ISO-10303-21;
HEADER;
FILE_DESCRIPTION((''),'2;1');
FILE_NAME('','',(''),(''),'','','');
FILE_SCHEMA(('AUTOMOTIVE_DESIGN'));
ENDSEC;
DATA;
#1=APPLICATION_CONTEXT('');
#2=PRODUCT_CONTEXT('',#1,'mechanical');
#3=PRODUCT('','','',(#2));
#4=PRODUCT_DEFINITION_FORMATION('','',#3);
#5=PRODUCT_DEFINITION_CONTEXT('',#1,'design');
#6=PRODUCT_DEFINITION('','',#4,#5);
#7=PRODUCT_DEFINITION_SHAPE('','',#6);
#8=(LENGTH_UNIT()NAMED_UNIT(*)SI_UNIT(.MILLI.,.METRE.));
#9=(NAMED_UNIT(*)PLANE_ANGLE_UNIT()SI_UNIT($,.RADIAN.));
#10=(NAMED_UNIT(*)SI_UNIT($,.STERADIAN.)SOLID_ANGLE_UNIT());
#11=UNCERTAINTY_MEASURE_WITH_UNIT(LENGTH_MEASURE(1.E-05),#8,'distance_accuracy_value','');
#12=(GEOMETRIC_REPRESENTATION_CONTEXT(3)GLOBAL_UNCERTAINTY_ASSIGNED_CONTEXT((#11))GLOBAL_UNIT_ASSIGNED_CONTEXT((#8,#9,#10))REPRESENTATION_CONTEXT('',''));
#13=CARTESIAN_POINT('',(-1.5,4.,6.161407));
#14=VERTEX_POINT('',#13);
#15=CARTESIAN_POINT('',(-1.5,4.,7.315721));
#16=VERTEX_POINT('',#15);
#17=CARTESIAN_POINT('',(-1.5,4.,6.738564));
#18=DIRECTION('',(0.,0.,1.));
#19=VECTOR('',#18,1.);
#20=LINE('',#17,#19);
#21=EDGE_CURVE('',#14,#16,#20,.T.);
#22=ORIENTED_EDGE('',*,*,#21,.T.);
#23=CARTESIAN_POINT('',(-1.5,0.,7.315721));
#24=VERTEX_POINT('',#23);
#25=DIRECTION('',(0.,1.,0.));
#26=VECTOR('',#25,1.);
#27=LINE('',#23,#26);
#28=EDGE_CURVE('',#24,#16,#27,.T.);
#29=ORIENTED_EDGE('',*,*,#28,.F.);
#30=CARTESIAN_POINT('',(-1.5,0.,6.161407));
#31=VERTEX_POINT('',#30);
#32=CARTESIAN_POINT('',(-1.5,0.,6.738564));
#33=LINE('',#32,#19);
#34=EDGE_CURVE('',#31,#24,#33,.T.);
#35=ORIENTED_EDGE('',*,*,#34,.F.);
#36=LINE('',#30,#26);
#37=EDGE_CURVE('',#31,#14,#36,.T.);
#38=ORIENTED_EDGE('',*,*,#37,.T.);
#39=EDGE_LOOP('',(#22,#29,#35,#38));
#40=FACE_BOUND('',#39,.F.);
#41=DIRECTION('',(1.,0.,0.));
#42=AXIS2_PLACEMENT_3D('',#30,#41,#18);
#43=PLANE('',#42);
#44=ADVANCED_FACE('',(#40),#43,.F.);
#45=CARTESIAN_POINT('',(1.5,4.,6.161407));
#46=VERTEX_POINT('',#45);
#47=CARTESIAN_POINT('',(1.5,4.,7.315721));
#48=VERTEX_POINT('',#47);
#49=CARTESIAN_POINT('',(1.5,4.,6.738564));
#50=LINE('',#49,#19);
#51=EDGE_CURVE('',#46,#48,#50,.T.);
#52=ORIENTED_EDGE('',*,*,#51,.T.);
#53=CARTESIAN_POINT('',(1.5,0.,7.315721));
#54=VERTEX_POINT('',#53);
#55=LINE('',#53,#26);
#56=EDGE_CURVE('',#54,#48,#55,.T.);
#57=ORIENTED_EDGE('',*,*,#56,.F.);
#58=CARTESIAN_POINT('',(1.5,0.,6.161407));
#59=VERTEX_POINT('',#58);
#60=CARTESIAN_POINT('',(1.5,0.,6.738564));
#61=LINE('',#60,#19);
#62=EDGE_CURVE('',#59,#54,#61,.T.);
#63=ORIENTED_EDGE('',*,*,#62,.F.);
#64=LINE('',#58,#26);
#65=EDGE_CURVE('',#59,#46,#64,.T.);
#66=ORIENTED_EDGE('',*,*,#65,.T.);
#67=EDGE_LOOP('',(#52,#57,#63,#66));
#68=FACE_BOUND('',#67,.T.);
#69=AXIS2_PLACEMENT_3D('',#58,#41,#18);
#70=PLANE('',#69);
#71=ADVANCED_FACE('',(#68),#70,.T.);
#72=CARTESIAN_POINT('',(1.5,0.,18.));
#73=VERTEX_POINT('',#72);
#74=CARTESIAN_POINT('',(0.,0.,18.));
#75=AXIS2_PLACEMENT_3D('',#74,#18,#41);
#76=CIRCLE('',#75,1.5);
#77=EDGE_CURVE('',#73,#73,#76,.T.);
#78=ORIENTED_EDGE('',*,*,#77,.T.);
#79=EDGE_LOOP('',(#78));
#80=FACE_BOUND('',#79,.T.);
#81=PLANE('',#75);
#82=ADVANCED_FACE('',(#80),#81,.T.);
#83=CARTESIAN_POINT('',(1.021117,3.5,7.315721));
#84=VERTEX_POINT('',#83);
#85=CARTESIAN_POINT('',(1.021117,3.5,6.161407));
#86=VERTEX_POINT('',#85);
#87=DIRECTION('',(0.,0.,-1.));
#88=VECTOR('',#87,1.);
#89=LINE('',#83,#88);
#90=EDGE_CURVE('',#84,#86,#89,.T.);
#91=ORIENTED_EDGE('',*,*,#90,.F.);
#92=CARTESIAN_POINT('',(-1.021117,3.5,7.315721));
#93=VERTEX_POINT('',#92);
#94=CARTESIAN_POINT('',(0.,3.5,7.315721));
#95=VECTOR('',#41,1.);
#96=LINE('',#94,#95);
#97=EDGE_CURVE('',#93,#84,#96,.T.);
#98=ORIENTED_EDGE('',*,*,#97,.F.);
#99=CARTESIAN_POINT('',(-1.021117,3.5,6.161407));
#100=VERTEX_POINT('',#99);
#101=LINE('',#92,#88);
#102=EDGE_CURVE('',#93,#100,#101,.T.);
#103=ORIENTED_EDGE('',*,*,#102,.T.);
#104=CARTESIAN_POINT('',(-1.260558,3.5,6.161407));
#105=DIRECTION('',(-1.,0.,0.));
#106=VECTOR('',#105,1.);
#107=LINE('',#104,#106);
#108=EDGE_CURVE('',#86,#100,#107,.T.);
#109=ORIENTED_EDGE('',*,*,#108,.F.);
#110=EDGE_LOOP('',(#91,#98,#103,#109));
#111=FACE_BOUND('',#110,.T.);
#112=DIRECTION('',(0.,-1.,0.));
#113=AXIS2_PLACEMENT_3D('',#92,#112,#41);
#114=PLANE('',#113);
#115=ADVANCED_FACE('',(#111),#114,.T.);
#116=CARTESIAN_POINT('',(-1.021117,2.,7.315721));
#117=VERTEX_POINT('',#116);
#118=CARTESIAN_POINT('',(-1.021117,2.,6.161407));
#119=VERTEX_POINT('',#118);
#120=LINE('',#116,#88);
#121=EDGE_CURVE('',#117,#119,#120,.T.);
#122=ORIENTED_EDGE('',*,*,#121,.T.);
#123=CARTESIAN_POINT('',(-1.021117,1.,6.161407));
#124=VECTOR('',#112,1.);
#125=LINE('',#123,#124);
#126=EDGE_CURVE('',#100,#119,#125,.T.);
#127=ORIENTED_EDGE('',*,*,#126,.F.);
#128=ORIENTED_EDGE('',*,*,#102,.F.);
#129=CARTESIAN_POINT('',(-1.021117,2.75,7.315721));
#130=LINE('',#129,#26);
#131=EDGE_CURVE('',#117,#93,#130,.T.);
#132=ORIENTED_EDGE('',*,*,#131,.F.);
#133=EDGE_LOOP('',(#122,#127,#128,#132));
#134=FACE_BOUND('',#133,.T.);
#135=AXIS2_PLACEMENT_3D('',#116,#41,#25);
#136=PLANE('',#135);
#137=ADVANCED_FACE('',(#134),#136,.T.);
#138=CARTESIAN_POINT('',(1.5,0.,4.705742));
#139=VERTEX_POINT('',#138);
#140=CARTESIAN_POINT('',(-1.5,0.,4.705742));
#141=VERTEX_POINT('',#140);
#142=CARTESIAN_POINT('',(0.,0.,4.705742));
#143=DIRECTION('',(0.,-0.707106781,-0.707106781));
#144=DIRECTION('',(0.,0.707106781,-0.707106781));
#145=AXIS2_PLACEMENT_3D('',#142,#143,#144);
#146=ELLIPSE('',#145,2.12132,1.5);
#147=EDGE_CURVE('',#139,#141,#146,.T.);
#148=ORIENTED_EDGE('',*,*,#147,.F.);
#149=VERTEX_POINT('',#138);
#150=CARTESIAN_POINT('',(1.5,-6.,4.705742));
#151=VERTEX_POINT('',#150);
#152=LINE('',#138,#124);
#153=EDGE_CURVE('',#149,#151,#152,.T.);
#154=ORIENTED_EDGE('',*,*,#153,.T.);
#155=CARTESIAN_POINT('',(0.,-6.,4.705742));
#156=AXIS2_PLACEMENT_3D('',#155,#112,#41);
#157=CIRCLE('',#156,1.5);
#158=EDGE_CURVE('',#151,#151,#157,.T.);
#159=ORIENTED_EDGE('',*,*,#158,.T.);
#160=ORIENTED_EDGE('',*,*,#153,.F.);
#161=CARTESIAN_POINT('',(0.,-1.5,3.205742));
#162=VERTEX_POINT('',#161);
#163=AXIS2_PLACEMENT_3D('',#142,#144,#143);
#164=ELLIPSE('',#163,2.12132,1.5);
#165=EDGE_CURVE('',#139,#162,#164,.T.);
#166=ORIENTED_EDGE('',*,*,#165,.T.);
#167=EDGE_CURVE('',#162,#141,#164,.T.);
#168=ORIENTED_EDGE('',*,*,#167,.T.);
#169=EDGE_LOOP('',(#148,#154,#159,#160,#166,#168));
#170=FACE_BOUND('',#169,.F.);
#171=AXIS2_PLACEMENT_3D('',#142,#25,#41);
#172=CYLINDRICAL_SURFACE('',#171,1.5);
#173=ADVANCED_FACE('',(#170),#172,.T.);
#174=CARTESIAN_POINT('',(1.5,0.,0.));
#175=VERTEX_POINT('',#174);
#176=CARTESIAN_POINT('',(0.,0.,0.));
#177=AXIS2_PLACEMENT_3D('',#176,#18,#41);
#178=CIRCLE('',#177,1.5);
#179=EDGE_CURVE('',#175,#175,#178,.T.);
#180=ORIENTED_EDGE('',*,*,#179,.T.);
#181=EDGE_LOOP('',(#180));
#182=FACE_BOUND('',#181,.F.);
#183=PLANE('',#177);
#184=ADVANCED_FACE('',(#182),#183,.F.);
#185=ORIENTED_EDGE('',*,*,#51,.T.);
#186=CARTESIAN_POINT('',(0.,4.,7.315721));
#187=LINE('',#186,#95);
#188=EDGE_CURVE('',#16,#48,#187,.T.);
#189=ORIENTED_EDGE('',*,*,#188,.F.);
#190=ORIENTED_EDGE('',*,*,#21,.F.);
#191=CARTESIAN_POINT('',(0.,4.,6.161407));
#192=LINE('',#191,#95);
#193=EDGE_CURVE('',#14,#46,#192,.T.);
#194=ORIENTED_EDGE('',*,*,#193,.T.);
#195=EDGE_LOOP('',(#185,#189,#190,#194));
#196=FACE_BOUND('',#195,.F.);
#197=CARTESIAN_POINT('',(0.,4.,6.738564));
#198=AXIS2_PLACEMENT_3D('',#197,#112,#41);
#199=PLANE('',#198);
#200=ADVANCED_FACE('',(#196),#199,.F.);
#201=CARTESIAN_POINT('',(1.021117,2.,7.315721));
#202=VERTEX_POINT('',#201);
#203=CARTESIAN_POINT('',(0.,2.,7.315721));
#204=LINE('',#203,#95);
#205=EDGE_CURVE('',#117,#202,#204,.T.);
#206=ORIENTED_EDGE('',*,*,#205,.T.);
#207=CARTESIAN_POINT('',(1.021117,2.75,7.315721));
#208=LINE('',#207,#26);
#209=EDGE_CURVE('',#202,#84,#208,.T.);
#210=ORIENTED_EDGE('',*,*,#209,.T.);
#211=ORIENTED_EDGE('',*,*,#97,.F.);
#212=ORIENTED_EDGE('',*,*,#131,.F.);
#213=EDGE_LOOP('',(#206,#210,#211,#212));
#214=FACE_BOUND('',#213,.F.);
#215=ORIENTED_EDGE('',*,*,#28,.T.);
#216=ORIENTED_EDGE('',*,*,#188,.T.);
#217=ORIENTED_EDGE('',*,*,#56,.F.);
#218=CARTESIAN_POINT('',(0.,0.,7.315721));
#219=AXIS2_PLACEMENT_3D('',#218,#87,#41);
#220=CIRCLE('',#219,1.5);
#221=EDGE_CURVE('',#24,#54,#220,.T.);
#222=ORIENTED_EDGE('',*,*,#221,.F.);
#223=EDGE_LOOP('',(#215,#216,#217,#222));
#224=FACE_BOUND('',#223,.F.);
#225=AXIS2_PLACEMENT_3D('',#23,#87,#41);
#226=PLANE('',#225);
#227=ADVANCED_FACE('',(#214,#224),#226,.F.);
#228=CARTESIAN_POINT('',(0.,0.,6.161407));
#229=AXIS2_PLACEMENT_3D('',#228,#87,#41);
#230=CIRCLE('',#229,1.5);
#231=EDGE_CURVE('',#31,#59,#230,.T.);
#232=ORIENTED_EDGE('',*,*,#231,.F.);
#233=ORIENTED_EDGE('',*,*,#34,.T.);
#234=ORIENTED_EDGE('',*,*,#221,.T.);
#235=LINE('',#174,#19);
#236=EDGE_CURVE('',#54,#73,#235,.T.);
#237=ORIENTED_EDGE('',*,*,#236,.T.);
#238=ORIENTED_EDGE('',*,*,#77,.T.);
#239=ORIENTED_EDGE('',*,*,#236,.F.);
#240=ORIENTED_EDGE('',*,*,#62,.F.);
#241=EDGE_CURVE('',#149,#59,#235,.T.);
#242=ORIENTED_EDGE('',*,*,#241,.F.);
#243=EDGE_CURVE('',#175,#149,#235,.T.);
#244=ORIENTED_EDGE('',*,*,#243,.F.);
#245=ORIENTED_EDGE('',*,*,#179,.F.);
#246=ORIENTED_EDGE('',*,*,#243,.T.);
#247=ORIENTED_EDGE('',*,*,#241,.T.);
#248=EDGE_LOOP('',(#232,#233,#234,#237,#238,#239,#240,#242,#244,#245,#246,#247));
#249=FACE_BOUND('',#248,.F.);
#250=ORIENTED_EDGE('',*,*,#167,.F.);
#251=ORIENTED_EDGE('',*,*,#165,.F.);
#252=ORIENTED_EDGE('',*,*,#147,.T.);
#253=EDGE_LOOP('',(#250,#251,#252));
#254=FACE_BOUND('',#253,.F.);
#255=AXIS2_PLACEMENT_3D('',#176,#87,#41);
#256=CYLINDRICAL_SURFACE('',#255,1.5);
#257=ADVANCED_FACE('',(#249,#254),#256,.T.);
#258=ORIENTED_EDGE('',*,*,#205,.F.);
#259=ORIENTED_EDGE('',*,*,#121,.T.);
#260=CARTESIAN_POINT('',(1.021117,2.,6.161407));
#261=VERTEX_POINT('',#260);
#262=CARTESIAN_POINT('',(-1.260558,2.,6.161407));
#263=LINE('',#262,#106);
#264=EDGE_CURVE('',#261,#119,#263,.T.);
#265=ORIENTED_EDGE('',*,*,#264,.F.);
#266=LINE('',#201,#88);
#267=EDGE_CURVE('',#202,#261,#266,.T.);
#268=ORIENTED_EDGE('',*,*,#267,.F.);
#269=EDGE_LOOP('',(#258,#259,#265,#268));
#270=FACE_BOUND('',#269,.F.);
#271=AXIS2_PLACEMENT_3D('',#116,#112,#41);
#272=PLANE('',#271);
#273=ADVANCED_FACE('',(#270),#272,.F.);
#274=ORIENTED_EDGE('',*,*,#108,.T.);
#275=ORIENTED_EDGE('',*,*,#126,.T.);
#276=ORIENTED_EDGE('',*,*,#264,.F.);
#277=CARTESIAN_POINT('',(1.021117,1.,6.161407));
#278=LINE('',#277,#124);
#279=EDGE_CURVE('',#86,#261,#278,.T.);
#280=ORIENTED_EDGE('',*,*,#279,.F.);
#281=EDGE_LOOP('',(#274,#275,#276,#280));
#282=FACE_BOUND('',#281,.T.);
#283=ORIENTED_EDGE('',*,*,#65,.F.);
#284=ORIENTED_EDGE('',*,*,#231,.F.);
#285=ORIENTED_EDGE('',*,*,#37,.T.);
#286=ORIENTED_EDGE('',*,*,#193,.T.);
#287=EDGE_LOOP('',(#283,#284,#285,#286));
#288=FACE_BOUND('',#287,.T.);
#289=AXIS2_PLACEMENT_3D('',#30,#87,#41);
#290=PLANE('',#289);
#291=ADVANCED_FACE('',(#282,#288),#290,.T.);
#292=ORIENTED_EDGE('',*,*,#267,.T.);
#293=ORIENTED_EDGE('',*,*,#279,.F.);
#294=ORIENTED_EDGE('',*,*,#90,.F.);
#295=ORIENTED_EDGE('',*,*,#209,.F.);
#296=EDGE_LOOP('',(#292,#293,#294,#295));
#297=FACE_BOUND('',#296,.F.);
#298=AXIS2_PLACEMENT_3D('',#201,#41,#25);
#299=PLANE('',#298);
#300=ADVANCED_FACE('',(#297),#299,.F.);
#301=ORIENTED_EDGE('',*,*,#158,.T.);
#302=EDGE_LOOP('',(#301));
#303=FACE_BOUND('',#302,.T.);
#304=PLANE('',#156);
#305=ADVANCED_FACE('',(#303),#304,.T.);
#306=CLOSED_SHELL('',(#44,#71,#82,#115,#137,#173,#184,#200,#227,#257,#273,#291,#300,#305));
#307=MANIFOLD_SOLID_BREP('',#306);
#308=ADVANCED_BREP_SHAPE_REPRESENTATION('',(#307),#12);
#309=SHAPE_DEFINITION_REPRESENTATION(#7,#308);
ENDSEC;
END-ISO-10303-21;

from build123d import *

# Parameters (mm, degrees)
F0_R     = 1.5
F1_DEPTH = 18
F2_R     = 1.5
F3_DEPTH = 6
F4_W     = 3
F4_H     = 1.154314
F5_DEPTH = 4
F6_W     = 2.042234
F6_H     = 1.5
F7_DEPTH = 25


with BuildPart() as f1:
    # F0 (on Top) → F1 (new body)
    with BuildSketch(Plane.XY):
        Circle(F0_R)
    extrude(amount=F1_DEPTH)

    # F2 (on Front) → F3 (join)
    with BuildSketch(Plane.XZ):
        with Locations((0, 4.705742)):
            Circle(F2_R)
    extrude(amount=F3_DEPTH)

    # F4 (on Front) → F5 (join)
    with BuildSketch(Plane.XZ):
        with Locations((0, 6.738564)):
            Rectangle(F4_W, F4_H)
    extrude(amount=-F5_DEPTH)

    # F6 (on face) → F7 (cut)
    with BuildSketch(Plane.XY.offset(7.315721)):
        with Locations((0, 2.75)):
            Rectangle(F6_W, F6_H)
    extrude(amount=-F7_DEPTH, mode=Mode.SUBTRACT)


solid = f1.part
